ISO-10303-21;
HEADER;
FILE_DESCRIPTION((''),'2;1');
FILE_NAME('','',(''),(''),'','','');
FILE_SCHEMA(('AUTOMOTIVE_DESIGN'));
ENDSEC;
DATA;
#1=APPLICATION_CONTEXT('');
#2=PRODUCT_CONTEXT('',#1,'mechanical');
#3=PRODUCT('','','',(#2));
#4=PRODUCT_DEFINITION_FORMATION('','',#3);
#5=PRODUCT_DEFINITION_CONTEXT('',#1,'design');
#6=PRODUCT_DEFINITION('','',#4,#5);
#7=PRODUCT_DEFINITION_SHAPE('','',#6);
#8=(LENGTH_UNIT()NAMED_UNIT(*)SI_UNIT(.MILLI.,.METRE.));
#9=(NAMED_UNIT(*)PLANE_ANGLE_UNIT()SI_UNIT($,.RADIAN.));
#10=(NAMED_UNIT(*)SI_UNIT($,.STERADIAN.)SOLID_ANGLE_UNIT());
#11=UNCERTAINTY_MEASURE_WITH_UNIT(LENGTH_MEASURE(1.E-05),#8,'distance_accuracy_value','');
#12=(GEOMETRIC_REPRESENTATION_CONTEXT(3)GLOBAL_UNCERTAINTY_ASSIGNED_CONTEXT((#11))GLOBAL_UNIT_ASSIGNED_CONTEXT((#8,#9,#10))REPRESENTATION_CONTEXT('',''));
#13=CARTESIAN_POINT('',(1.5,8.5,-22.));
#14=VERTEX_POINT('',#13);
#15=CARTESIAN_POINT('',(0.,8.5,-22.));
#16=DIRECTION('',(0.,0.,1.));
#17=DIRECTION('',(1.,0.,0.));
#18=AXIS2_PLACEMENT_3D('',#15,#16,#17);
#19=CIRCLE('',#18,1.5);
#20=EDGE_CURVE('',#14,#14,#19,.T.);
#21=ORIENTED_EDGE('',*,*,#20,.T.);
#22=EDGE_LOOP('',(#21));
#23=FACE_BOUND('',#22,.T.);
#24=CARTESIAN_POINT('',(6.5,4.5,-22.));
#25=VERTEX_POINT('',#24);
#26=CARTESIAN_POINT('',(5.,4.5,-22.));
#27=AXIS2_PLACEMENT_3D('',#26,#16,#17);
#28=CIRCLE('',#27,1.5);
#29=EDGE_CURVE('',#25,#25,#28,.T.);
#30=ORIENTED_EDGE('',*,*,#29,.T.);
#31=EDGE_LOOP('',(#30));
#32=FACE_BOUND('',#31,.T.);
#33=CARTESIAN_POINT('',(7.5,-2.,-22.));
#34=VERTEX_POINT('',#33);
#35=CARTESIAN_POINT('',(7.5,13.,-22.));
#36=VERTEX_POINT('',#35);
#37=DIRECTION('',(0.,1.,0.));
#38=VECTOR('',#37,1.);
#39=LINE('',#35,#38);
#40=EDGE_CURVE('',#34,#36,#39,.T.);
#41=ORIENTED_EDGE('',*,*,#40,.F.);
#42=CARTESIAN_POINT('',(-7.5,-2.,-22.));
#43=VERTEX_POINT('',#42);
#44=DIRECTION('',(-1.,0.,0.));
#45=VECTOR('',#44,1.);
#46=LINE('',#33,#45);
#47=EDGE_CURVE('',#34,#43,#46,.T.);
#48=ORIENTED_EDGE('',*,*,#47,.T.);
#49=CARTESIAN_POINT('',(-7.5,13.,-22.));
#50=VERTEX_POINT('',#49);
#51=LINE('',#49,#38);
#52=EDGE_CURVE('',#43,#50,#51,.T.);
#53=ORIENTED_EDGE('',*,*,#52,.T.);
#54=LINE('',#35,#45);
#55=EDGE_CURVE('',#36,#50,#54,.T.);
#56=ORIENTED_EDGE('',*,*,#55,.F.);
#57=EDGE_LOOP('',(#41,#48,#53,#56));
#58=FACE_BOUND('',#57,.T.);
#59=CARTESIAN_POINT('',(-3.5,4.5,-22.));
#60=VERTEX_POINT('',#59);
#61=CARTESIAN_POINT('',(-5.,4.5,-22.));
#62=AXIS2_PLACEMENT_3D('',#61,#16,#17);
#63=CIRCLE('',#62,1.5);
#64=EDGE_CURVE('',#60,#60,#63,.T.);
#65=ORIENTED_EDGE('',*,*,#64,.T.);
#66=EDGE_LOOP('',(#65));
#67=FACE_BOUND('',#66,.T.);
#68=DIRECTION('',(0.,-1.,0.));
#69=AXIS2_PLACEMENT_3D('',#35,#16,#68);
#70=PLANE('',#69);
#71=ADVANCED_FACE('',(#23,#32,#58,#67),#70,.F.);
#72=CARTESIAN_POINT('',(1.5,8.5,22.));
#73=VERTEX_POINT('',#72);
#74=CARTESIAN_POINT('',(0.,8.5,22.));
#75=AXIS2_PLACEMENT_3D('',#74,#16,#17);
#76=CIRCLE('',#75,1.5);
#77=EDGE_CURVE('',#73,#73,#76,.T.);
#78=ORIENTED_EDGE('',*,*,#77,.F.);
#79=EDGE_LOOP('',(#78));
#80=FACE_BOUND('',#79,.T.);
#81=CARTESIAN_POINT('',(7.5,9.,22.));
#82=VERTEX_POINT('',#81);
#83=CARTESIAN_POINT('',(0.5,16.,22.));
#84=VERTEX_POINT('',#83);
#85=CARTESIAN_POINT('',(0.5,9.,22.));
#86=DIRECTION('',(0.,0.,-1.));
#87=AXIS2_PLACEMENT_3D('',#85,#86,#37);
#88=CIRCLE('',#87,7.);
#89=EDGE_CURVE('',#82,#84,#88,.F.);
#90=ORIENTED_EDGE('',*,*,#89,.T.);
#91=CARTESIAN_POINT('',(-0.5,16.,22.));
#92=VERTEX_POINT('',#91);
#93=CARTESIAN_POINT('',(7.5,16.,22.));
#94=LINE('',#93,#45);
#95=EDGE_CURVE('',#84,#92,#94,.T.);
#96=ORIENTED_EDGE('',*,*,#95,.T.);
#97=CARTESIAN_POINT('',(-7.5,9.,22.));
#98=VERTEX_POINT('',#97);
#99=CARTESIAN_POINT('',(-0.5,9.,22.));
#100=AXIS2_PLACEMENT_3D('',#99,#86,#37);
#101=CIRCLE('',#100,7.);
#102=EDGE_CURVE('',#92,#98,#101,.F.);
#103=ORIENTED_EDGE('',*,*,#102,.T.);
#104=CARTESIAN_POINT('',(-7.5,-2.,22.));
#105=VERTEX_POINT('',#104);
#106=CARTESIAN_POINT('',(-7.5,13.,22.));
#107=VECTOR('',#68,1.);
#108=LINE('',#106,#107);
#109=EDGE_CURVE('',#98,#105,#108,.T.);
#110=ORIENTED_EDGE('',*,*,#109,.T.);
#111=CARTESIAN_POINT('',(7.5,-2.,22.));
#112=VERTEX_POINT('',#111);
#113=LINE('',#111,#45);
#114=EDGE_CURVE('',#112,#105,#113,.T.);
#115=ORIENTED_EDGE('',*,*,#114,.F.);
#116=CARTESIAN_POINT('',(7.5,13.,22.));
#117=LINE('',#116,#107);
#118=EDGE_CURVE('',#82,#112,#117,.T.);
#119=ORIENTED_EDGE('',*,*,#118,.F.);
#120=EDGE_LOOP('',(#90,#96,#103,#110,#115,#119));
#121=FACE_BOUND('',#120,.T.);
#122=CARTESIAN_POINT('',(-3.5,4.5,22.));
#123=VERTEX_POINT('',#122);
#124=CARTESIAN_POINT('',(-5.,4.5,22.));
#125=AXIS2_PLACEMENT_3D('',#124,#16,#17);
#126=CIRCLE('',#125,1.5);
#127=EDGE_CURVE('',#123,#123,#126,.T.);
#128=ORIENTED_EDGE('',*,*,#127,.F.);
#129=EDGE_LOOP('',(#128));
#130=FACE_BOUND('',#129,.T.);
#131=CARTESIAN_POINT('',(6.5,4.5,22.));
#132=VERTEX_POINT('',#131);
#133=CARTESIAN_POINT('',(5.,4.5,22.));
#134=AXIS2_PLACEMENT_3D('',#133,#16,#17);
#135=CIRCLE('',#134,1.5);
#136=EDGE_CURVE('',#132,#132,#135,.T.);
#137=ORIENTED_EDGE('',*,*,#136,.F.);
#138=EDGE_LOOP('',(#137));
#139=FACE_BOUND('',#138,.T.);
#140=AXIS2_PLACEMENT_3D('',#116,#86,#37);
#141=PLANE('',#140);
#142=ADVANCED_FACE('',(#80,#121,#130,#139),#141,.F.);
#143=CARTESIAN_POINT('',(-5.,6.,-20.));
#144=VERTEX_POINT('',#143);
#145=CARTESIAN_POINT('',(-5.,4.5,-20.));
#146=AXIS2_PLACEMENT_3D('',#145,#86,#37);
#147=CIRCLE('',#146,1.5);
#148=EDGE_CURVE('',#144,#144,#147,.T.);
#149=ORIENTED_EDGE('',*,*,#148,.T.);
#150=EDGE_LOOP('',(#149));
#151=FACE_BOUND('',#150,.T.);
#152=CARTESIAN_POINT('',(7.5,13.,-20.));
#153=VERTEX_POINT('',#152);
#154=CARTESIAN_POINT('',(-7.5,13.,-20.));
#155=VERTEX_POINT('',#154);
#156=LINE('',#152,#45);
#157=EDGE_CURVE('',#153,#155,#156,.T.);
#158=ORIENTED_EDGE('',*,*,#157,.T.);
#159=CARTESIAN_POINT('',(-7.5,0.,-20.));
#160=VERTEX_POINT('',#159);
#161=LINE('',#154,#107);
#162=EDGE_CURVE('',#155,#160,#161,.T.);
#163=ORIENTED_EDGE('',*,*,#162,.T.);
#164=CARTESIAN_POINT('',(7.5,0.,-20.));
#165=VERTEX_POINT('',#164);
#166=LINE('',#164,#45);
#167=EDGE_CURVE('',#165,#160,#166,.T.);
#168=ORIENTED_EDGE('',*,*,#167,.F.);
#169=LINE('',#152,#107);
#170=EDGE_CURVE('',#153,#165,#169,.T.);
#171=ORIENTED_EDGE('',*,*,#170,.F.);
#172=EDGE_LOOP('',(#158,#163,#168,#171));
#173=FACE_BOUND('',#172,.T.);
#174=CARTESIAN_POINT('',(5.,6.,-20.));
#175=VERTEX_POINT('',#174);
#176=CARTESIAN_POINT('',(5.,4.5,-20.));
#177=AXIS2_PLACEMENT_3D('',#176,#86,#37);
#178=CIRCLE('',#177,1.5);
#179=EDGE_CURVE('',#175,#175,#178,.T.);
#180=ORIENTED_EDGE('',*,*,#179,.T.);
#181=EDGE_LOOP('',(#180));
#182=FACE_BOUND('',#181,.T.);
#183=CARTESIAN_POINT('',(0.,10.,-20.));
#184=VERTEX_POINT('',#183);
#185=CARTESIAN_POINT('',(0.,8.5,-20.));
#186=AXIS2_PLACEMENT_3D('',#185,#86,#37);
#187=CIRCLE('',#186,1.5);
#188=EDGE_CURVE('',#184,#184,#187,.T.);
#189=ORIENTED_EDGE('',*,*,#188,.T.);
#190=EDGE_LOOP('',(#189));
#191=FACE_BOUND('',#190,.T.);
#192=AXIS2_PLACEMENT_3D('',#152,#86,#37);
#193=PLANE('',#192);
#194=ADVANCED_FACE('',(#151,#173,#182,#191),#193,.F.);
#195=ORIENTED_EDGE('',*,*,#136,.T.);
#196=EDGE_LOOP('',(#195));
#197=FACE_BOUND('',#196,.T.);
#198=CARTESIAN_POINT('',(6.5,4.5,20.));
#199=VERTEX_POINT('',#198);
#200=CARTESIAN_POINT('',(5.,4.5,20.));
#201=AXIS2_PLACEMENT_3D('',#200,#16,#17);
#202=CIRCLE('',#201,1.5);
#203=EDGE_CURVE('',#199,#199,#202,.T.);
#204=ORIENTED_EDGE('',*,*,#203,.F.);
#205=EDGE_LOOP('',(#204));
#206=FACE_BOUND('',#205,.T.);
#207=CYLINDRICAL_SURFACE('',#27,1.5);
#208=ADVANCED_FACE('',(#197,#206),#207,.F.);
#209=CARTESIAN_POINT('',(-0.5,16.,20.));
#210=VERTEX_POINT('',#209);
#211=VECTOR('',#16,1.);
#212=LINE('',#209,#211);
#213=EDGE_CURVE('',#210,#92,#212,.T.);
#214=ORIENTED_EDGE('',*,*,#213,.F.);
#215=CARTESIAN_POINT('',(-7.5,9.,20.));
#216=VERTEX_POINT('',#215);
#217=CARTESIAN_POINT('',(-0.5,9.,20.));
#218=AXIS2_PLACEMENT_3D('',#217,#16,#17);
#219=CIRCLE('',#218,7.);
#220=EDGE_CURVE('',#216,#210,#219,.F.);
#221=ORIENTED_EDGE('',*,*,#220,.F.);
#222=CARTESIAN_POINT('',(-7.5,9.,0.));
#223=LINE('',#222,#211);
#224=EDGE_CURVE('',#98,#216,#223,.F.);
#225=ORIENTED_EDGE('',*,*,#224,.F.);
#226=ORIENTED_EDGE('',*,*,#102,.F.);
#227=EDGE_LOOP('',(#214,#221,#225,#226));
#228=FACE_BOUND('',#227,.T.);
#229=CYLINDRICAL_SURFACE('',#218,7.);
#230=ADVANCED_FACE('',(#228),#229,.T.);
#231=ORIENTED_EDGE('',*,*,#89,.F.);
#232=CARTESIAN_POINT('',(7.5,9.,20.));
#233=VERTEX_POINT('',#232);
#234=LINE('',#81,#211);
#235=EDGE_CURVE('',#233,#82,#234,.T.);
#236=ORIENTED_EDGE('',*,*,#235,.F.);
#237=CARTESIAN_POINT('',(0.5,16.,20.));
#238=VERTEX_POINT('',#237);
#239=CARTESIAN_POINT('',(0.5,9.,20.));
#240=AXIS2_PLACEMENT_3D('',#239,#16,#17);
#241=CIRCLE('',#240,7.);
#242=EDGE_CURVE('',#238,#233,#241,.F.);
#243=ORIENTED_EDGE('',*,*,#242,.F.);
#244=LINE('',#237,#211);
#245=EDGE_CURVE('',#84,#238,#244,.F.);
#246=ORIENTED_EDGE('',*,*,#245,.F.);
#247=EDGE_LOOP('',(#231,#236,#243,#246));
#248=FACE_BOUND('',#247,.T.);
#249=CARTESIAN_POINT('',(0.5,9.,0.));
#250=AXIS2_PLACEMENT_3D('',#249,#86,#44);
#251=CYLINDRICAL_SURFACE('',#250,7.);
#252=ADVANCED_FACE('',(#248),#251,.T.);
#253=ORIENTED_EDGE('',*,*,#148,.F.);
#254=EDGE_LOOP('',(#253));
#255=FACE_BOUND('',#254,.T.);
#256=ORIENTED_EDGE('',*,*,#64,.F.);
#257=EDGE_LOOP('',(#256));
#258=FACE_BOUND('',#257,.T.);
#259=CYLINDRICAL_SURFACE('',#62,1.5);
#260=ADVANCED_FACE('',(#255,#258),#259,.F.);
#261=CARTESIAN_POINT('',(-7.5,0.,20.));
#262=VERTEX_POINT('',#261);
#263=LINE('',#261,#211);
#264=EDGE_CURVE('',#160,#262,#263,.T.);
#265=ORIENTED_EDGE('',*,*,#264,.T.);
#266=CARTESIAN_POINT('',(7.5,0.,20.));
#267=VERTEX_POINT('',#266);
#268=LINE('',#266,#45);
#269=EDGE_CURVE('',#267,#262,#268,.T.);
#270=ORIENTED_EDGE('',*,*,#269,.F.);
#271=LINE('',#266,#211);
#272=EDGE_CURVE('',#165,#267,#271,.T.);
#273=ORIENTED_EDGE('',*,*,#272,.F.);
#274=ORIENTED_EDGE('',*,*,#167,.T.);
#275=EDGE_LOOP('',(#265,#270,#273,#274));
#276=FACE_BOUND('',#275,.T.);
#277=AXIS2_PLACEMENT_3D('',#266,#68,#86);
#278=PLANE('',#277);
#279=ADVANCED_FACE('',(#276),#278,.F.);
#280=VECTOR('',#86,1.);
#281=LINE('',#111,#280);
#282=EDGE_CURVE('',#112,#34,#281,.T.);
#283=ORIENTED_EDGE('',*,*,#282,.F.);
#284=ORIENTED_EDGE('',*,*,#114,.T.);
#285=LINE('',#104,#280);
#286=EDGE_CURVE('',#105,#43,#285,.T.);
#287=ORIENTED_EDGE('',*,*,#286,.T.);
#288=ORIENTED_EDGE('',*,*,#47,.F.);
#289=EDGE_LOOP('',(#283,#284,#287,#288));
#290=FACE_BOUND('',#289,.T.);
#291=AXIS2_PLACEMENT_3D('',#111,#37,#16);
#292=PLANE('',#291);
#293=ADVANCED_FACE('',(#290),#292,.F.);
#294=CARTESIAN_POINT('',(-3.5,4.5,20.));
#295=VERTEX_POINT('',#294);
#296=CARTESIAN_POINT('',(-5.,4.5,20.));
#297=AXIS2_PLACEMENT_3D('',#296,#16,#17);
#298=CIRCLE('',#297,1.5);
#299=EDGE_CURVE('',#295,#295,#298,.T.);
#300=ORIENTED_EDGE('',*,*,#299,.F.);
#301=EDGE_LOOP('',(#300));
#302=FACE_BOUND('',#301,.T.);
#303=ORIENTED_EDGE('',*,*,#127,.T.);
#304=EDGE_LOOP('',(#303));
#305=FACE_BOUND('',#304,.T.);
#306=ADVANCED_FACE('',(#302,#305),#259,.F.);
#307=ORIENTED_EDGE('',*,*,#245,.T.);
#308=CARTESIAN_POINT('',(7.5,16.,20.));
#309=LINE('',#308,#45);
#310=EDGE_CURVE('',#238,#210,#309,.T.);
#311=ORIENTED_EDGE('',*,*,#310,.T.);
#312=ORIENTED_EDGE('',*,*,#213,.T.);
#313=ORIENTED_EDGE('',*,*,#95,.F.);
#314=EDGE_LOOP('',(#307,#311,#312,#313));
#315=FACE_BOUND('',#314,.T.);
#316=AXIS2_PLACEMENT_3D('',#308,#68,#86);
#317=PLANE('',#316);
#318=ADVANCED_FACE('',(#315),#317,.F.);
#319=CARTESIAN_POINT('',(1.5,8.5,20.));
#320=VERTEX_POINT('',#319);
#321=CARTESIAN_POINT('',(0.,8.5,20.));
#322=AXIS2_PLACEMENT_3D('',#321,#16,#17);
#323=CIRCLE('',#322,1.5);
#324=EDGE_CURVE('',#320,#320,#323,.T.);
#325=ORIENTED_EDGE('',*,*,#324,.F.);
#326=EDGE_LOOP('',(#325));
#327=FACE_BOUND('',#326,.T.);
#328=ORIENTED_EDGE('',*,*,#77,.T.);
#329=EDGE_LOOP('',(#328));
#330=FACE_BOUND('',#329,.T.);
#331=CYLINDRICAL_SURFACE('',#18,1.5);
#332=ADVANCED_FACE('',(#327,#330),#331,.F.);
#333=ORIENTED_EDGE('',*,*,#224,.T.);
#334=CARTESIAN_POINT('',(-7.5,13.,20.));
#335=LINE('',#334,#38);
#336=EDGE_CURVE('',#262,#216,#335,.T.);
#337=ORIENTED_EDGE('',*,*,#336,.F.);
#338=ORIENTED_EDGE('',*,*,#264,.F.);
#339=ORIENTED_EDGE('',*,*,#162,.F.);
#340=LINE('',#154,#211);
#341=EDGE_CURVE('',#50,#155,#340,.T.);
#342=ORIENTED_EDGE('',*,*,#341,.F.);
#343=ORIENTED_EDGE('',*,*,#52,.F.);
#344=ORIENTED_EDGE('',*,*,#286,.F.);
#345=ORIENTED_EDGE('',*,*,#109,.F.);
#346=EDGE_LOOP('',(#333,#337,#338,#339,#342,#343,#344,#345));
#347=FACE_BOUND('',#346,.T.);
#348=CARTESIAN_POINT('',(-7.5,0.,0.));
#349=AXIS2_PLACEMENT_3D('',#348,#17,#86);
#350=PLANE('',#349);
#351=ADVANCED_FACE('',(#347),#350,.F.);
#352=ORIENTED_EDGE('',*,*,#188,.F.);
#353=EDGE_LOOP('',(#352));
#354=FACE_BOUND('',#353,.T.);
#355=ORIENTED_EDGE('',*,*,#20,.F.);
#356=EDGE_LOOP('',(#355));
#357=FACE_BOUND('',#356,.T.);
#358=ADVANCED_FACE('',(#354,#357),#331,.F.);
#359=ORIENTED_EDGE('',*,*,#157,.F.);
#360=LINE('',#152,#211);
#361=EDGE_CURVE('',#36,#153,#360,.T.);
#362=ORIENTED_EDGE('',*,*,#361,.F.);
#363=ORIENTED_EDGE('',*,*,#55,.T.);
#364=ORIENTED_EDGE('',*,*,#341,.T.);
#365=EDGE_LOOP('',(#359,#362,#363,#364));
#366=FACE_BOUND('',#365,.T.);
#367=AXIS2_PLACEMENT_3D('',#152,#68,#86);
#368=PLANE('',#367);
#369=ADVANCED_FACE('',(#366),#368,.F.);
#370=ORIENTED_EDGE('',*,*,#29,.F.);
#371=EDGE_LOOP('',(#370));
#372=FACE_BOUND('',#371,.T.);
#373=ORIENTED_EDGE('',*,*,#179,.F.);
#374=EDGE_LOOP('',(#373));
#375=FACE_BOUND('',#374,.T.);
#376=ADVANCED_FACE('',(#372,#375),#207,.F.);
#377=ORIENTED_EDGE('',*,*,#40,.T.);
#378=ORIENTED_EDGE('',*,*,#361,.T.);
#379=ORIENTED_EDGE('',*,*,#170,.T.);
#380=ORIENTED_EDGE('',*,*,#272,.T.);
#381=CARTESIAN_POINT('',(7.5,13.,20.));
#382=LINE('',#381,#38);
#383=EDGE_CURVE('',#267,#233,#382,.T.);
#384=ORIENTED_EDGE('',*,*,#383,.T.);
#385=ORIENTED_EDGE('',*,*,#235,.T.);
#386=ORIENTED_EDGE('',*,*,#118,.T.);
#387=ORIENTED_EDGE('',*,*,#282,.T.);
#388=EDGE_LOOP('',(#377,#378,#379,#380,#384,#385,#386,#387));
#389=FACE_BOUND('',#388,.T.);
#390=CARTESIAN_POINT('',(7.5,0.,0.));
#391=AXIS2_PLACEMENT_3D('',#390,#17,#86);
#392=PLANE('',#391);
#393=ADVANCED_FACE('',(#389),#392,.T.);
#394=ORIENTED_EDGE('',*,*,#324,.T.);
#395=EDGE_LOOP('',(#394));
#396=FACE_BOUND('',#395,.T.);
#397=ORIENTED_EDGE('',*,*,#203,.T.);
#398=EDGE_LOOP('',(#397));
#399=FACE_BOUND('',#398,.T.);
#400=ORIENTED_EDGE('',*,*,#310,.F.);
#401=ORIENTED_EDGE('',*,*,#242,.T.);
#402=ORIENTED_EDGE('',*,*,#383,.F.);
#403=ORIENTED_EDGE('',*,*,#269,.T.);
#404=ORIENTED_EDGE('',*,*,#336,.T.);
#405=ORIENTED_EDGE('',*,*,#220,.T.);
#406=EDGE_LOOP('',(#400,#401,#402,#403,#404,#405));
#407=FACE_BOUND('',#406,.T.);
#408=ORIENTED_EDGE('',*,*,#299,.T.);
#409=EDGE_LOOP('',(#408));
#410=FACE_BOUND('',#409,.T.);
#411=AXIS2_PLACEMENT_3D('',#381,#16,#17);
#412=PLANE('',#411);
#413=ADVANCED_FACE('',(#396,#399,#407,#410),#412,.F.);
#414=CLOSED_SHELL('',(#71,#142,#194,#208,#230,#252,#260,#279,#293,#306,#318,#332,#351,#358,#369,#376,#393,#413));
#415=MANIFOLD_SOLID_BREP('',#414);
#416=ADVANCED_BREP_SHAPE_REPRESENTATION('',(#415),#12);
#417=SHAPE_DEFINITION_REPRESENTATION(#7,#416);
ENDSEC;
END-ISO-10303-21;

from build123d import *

# Parameters (mm, degrees)
SALIENTE_EXTRUIR1_DEPTH    = 7.5
CORTAR_EXTRUIR1_DEPTH      = 29.217902119
CORTAR_EXTRUIR1_DEPTH_BACK = 29.217902119
CROQUIS2_R                 = 1.5
REDONDEO1_R                = 7


with BuildPart() as part:
    # Croquis1 → Saliente-Extruir1 (new, symmetric)
    with BuildSketch(Plane(origin=(0, 0, 0), x_dir=(0, 0, -1), z_dir=(1, 0, 0))):
        Polygon((-22, 13), (-22, -2), (22, -2), (22, 13), (20, 13), (20, 0), (-20, 0), (-20, 13), (-20, 16), (-22, 16), align=None)
    extrude(amount=SALIENTE_EXTRUIR1_DEPTH, both=True)

    # Croquis2 → Cortar-Extruir1 (cut, two sides: drawn at the far end of the back side and taken through both)
    with BuildSketch(Plane.XY.offset(-CORTAR_EXTRUIR1_DEPTH_BACK)):
        with Locations((0, 8.5)):
            Circle(CROQUIS2_R)
        with Locations((5, 4.5)):
            Circle(CROQUIS2_R)
        with Locations((-5, 4.5)):
            Circle(CROQUIS2_R)
    extrude(amount=CORTAR_EXTRUIR1_DEPTH + CORTAR_EXTRUIR1_DEPTH_BACK, mode=Mode.SUBTRACT)

    # Redondeo1
    redondeo1_edges = [part.edges().sort_by_distance(p)[0] for p in [
        (-7.5, 16, 21),
        (7.5, 16, 21),
    ]]
    fillet(redondeo1_edges, radius=REDONDEO1_R)


solid = part.part
